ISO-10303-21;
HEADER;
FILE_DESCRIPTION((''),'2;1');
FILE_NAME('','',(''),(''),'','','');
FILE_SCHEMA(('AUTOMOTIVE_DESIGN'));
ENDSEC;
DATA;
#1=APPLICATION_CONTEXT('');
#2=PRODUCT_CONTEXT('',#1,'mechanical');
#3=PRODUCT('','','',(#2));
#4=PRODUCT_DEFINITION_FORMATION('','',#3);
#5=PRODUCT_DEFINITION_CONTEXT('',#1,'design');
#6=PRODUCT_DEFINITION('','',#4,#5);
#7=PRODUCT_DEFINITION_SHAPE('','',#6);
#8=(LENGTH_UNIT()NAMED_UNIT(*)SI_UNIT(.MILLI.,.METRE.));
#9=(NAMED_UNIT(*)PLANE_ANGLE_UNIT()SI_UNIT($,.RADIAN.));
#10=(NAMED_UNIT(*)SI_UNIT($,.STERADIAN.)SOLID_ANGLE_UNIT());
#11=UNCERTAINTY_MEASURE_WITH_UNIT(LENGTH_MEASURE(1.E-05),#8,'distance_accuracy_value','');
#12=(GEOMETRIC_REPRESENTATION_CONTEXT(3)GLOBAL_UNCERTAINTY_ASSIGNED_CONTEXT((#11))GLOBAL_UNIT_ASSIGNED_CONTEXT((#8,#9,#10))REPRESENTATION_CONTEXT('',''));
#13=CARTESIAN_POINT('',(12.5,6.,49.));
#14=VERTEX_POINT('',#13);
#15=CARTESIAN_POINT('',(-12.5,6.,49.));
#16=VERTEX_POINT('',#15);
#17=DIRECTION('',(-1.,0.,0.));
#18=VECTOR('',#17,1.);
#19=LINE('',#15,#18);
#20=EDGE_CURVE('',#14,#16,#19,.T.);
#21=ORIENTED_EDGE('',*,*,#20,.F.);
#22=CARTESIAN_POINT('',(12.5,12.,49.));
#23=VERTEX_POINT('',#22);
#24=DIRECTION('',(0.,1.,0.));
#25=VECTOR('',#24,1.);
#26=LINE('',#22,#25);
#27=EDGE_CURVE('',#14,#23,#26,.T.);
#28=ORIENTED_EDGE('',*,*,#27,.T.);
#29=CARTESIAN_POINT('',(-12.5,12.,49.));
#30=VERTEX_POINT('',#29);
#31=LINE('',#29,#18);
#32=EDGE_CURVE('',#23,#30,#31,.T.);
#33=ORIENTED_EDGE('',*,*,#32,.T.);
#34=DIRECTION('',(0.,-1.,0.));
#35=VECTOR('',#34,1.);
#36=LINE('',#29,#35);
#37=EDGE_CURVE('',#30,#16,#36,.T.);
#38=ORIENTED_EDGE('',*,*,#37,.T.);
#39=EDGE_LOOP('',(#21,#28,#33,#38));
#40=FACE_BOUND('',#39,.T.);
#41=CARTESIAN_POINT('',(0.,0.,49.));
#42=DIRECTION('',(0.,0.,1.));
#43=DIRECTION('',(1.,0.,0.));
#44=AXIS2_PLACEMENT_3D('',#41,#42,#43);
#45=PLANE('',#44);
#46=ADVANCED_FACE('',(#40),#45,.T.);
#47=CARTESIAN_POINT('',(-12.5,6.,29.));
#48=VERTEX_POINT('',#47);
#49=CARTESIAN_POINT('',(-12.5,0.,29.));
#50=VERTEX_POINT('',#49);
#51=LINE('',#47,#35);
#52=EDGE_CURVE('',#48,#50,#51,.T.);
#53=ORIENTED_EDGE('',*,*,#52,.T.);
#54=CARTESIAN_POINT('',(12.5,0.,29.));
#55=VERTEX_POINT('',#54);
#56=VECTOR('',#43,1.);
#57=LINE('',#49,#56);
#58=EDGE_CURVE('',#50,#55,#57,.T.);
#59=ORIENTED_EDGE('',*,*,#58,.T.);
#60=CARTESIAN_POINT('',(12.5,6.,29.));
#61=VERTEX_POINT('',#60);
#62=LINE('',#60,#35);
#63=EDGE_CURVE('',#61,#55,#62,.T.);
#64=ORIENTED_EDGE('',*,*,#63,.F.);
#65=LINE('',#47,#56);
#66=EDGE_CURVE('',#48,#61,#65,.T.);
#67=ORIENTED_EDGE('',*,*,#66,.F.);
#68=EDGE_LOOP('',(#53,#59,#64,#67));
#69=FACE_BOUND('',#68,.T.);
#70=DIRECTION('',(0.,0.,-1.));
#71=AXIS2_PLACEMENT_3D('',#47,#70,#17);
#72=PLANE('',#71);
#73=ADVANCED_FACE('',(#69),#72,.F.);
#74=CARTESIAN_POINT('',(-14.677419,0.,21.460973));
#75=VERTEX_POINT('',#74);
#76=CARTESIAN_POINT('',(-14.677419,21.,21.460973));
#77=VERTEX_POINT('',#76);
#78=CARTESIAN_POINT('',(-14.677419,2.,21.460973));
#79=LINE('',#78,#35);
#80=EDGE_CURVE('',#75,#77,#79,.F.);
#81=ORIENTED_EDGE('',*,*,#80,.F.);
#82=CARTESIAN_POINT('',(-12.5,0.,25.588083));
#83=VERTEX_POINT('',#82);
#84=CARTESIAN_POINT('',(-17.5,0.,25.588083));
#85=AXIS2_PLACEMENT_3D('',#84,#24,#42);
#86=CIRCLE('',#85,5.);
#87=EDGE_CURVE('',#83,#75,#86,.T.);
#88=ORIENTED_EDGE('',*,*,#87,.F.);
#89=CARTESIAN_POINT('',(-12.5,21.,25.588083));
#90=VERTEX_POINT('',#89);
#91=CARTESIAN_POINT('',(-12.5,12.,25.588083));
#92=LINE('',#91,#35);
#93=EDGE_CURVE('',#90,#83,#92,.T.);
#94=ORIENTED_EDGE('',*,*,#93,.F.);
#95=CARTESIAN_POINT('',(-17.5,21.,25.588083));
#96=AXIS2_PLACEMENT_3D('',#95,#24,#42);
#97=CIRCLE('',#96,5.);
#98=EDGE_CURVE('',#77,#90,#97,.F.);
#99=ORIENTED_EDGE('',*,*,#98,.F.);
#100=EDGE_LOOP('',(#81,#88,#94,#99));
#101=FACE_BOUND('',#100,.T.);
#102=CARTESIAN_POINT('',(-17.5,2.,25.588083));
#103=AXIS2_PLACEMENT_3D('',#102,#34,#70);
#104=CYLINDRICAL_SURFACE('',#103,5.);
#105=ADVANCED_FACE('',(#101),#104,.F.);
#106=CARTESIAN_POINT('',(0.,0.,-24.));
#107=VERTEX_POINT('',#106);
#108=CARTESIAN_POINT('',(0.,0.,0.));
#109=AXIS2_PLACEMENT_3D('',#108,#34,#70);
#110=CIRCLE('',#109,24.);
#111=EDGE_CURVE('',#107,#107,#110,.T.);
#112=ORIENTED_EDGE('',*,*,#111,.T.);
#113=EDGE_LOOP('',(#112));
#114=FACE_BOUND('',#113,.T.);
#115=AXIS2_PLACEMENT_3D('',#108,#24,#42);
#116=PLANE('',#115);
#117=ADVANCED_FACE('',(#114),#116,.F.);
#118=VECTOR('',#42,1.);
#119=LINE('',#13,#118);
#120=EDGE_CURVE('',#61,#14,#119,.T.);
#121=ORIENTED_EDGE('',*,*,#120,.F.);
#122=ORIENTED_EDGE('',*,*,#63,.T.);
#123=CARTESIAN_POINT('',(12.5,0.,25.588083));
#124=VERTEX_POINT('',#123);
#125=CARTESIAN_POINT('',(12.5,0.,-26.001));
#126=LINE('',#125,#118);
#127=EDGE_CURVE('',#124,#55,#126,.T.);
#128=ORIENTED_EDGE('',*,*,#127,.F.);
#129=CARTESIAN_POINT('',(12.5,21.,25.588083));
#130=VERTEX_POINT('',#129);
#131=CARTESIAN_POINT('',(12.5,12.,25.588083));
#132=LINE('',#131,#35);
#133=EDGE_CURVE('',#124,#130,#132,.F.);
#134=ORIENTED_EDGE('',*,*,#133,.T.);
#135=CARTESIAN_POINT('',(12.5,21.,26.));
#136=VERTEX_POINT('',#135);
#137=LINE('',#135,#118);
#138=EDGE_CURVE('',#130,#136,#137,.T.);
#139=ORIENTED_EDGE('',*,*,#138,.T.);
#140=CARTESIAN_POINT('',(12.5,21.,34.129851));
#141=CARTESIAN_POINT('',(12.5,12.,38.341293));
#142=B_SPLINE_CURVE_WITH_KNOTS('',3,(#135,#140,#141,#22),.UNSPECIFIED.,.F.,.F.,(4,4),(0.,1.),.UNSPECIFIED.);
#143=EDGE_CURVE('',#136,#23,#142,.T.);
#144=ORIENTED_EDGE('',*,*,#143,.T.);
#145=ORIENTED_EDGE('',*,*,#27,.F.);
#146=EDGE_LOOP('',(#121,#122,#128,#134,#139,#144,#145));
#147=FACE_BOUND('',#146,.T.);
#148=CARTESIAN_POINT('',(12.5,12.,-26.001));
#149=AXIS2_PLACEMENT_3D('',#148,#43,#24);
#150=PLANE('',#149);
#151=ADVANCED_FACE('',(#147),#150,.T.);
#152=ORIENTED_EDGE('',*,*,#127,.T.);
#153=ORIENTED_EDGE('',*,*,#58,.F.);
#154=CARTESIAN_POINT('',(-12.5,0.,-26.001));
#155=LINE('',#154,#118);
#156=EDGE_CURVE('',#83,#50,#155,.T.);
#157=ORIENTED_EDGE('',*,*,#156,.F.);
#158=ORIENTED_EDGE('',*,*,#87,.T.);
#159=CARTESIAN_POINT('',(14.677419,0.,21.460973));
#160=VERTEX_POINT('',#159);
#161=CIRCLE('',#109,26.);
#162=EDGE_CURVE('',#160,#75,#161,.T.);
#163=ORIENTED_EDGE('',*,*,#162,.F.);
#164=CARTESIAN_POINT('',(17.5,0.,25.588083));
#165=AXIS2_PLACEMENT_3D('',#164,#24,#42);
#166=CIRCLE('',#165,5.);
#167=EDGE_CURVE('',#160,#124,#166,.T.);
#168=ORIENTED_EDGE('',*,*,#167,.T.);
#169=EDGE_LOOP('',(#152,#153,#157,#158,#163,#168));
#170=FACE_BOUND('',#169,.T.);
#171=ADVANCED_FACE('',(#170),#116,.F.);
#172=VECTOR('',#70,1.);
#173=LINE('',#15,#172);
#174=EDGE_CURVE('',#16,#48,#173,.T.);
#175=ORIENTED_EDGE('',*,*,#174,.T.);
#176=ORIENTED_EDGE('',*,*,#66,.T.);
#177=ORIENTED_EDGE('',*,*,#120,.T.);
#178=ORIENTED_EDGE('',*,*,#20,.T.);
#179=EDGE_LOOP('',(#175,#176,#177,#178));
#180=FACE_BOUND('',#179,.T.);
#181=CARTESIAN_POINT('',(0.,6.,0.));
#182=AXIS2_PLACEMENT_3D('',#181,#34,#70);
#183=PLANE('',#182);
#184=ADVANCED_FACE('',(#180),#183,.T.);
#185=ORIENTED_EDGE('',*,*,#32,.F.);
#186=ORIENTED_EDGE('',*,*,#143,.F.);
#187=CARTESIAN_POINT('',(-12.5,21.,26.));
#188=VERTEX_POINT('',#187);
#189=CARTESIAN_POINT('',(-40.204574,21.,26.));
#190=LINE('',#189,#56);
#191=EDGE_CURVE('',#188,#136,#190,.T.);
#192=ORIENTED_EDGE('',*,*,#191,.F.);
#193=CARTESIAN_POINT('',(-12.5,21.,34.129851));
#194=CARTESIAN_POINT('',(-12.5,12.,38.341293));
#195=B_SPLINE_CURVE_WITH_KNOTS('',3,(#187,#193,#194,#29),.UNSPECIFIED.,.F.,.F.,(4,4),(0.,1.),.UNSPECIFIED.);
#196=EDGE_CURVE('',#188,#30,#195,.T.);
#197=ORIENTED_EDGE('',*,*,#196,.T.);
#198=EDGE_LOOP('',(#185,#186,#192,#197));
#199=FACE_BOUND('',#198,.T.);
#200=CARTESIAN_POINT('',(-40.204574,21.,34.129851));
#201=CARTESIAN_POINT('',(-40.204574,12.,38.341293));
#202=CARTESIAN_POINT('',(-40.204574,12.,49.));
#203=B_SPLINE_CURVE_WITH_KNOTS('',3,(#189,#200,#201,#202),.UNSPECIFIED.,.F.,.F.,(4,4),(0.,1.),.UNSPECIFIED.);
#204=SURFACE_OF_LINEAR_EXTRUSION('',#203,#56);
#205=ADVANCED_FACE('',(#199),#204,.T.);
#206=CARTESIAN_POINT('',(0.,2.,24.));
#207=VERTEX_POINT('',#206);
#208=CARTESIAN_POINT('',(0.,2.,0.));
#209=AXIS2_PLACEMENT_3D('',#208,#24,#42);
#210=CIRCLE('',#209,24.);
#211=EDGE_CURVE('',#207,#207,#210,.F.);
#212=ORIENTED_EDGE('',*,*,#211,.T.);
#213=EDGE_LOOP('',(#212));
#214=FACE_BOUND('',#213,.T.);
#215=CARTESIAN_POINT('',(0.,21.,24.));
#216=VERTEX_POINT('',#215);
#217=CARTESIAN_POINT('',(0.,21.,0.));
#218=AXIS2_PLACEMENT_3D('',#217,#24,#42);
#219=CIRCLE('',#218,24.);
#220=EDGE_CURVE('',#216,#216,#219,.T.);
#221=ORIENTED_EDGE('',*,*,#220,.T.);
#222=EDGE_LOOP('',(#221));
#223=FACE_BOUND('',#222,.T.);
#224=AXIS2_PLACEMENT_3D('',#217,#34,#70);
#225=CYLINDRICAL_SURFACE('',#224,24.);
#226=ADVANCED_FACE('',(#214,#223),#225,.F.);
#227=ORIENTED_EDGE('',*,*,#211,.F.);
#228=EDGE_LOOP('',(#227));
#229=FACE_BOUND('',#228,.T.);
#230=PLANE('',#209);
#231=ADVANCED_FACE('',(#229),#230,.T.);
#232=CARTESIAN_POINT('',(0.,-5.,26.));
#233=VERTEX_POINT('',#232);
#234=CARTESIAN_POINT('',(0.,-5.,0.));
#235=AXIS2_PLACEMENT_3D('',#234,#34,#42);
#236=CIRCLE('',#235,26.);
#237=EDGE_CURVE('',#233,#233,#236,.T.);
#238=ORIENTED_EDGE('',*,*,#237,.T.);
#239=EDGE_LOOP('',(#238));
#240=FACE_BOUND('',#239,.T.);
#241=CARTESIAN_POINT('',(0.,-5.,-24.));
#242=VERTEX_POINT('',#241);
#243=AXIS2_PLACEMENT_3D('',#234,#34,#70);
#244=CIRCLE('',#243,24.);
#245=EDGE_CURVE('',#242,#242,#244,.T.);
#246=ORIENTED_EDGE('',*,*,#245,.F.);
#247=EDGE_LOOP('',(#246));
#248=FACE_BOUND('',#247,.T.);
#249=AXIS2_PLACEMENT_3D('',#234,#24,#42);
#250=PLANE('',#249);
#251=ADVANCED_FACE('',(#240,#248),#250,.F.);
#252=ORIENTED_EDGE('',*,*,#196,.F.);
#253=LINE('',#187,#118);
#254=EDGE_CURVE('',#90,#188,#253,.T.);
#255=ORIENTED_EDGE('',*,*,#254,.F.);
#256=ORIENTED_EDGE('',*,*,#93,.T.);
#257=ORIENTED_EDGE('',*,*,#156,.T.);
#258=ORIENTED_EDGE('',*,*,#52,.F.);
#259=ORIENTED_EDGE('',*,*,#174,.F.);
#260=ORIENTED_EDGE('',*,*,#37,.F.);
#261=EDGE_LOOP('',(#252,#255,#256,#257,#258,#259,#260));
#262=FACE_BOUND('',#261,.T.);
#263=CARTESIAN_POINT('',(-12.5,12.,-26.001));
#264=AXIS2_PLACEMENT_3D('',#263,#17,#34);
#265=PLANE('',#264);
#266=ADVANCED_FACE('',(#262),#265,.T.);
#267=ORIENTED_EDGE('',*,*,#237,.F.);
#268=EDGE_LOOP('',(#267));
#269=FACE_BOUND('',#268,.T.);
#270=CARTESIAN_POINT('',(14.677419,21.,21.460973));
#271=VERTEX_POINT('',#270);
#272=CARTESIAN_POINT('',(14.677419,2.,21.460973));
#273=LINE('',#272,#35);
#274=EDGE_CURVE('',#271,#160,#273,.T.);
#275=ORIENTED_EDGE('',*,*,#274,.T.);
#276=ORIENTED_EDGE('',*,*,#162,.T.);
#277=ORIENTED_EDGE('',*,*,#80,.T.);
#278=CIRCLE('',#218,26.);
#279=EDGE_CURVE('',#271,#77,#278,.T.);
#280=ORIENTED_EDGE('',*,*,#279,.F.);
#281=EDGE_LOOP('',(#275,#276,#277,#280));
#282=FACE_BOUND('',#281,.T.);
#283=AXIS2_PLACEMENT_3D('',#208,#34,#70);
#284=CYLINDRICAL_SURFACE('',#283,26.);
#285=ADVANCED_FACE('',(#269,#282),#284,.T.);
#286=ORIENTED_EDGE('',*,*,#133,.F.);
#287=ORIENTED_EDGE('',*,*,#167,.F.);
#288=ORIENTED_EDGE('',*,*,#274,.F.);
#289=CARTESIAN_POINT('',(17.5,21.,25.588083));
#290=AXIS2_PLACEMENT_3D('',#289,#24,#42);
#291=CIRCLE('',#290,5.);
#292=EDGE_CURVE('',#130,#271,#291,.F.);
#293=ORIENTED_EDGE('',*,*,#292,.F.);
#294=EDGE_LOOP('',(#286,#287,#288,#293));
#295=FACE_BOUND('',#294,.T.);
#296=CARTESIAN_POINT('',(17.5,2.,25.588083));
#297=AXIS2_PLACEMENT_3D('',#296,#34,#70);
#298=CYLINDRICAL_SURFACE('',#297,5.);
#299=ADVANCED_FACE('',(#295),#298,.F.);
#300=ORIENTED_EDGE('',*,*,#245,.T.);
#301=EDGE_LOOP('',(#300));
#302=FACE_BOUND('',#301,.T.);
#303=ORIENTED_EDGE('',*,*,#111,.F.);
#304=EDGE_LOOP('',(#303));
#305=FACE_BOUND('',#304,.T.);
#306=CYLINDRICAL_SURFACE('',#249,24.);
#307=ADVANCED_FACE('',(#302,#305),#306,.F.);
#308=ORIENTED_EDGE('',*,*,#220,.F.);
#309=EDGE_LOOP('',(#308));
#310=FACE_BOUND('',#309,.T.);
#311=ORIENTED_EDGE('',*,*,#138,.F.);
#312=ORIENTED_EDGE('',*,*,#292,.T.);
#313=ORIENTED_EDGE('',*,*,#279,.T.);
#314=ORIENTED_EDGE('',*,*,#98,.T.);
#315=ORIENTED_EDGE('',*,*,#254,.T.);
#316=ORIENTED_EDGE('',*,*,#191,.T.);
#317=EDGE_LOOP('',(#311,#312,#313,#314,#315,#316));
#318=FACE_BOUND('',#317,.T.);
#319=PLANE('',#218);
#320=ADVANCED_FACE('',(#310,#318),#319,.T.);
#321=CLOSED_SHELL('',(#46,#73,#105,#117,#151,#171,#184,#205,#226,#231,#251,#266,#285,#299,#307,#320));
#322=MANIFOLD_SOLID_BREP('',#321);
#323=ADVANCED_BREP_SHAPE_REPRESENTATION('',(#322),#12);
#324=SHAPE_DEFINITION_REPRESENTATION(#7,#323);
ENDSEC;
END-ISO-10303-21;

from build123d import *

# Parameters (mm, degrees)
SKETCH_1_R           = 26
EXTRUDE_1_DEPTH      = 2
SKETCH_2_R           = 26
SKETCH_2_R_2         = 24
EXTRUDE_2_DEPTH      = 19
EXTRUDE_3_REACH      = 84.11
EXTRUDE_3_END_RADIUS = 26
SKETCH_4_W           = 25
SKETCH_4_H           = 12
SKETCH_5_W           = 25
SKETCH_5_H           = 20
CUT_EXTRUDE_1_DEPTH  = 6
EXTRUDE_5_REACH      = 67.759
CUT_EXTRUDE_START    = -19
SKETCH_7_R           = 24
CUT_EXTRUDE_2_DEPTH  = 19
EXTRUDE_START        = 5
SKETCH_8_R           = 24
EXTRUDE_6_DEPTH      = 5
FILLET_1_R           = 5


with BuildPart() as part:
    # Эскиз1 → Бобышка-Вытянуть1 (new body)
    with BuildSketch(Plane(origin=(0, 0, 0), x_dir=(1, 0, 0), z_dir=(0, 1, 0))):
        with Locations(Location((0, 0, 0), (0, 0, 270))):
            Circle(SKETCH_1_R)
    extrude(amount=EXTRUDE_1_DEPTH)

    # Эскиз2 → Бобышка-Вытянуть2 (add)
    with BuildSketch(Plane(origin=(0, 2, 0), x_dir=(1, 0, 0), z_dir=(0, 1, 0))):
        with Locations(Location((0, 0, 0), (0, 0, 270))):
            Circle(SKETCH_2_R)
        with Locations(Location((0, 0, 0), (0, 0, 270))):
            Circle(SKETCH_2_R_2, mode=Mode.SUBTRACT)
    extrude(amount=EXTRUDE_2_DEPTH)

    # Бобышка-Вытянуть3: up to this cylinder (the profile starts outside it)
    extrude_3_end = Plane(origin=(0, 6, 0), z_dir=(0, -1, 0)) * Cylinder(EXTRUDE_3_END_RADIUS, 221.22, mode=Mode.PRIVATE)
    # Эскиз4 → Бобышка-Вытянуть3 (add, up to the surface)
    with BuildSketch(Plane.XY.offset(49), mode=Mode.PRIVATE) as extrude_3_sk1:
        with Locations((0, 6)):
            Rectangle(SKETCH_4_W, SKETCH_4_H)
    extrude_3_tool1 = extrude(extrude_3_sk1.sketch, amount=-EXTRUDE_3_REACH, mode=Mode.PRIVATE) - extrude_3_end
    add(extrude_3_tool1.solids().sort_by_distance((0, 6, 49))[0])

    # Эскиз5 → Вырез-Вытянуть1 (cut)
    with BuildSketch(Plane.XZ):
        with Locations((0, 39)):
            Rectangle(SKETCH_5_W, SKETCH_5_H)
    extrude(amount=-CUT_EXTRUDE_1_DEPTH, mode=Mode.SUBTRACT)

    # Бобышка-Вытянуть5: up to this face of the body (flat: up to its plane)
    extrude_5_end = Plane(part.part.faces().sort_by_distance((-12.5, 7.851626254, 33.985056872))[0])
    # Эскиз6 → Бобышка-Вытянуть5 (add, up to the picked face)
    with BuildSketch(Plane(origin=(12.5, 0, 0), x_dir=(0, 0, -1), z_dir=(1, 0, 0)), mode=Mode.PRIVATE) as extrude_5_sk1:
        with BuildLine():
            Line((-26, 21), (-22.79802623, 21))
            Line((-22.79802623, 21), (-22.79802623, 12))
            Line((-22.79802623, 12), (-49, 12))
            add(Edge.make_bspline(
                [(-49, 12), (-38.341292939, 12), (-34.129850558, 21), (-26, 21)],
                knots=[0, 0, 0, 0, 1, 1, 1, 1], degree=3))
        make_face()
    extrude_5_tool1 = split(extrude(extrude_5_sk1.sketch, amount=-EXTRUDE_5_REACH, mode=Mode.PRIVATE), bisect_by=extrude_5_end, keep=Keep.BOTH, mode=Mode.PRIVATE)
    add(extrude_5_tool1.solids().sort_by(Axis((12.5, 15.609347, 30.602096), (-1, 0, 0)))[0])

    # Эскиз7 → Вырез-Вытянуть2 (cut)
    with BuildSketch(Plane(origin=(0, 21, 0), x_dir=(1, 0, 0), z_dir=(0, 1, 0)).offset(CUT_EXTRUDE_START)):
        with Locations(Location((0, 0, 0), (0, 0, 270))):
            Circle(SKETCH_7_R)
    extrude(amount=CUT_EXTRUDE_2_DEPTH, mode=Mode.SUBTRACT)

    # Эскиз8 → Бобышка-Вытянуть6 (add)
    with BuildSketch(Plane.XZ.offset(EXTRUDE_START)):
        with BuildLine():
            ThreePointArc((-12.5, 22.79802623), (0, -26), (12.5, 22.79802623))
            ThreePointArc((12.5, 22.79802623), (0, 26), (-12.5, 22.79802623))
        make_face()
        with Locations(Location((0, 0, 0), (0, 0, 90))):
            Circle(SKETCH_8_R, mode=Mode.SUBTRACT)
    extrude(amount=-EXTRUDE_6_DEPTH)

    # Скругление1
    fillet_1_edges = [part.edges().sort_by_distance(p)[0] for p in [
        (12.5, 10.5, 22.79802623),
        (-12.5, 10.5, 22.79802623),
    ]]
    fillet(fillet_1_edges, radius=FILLET_1_R)


solid = part.part
